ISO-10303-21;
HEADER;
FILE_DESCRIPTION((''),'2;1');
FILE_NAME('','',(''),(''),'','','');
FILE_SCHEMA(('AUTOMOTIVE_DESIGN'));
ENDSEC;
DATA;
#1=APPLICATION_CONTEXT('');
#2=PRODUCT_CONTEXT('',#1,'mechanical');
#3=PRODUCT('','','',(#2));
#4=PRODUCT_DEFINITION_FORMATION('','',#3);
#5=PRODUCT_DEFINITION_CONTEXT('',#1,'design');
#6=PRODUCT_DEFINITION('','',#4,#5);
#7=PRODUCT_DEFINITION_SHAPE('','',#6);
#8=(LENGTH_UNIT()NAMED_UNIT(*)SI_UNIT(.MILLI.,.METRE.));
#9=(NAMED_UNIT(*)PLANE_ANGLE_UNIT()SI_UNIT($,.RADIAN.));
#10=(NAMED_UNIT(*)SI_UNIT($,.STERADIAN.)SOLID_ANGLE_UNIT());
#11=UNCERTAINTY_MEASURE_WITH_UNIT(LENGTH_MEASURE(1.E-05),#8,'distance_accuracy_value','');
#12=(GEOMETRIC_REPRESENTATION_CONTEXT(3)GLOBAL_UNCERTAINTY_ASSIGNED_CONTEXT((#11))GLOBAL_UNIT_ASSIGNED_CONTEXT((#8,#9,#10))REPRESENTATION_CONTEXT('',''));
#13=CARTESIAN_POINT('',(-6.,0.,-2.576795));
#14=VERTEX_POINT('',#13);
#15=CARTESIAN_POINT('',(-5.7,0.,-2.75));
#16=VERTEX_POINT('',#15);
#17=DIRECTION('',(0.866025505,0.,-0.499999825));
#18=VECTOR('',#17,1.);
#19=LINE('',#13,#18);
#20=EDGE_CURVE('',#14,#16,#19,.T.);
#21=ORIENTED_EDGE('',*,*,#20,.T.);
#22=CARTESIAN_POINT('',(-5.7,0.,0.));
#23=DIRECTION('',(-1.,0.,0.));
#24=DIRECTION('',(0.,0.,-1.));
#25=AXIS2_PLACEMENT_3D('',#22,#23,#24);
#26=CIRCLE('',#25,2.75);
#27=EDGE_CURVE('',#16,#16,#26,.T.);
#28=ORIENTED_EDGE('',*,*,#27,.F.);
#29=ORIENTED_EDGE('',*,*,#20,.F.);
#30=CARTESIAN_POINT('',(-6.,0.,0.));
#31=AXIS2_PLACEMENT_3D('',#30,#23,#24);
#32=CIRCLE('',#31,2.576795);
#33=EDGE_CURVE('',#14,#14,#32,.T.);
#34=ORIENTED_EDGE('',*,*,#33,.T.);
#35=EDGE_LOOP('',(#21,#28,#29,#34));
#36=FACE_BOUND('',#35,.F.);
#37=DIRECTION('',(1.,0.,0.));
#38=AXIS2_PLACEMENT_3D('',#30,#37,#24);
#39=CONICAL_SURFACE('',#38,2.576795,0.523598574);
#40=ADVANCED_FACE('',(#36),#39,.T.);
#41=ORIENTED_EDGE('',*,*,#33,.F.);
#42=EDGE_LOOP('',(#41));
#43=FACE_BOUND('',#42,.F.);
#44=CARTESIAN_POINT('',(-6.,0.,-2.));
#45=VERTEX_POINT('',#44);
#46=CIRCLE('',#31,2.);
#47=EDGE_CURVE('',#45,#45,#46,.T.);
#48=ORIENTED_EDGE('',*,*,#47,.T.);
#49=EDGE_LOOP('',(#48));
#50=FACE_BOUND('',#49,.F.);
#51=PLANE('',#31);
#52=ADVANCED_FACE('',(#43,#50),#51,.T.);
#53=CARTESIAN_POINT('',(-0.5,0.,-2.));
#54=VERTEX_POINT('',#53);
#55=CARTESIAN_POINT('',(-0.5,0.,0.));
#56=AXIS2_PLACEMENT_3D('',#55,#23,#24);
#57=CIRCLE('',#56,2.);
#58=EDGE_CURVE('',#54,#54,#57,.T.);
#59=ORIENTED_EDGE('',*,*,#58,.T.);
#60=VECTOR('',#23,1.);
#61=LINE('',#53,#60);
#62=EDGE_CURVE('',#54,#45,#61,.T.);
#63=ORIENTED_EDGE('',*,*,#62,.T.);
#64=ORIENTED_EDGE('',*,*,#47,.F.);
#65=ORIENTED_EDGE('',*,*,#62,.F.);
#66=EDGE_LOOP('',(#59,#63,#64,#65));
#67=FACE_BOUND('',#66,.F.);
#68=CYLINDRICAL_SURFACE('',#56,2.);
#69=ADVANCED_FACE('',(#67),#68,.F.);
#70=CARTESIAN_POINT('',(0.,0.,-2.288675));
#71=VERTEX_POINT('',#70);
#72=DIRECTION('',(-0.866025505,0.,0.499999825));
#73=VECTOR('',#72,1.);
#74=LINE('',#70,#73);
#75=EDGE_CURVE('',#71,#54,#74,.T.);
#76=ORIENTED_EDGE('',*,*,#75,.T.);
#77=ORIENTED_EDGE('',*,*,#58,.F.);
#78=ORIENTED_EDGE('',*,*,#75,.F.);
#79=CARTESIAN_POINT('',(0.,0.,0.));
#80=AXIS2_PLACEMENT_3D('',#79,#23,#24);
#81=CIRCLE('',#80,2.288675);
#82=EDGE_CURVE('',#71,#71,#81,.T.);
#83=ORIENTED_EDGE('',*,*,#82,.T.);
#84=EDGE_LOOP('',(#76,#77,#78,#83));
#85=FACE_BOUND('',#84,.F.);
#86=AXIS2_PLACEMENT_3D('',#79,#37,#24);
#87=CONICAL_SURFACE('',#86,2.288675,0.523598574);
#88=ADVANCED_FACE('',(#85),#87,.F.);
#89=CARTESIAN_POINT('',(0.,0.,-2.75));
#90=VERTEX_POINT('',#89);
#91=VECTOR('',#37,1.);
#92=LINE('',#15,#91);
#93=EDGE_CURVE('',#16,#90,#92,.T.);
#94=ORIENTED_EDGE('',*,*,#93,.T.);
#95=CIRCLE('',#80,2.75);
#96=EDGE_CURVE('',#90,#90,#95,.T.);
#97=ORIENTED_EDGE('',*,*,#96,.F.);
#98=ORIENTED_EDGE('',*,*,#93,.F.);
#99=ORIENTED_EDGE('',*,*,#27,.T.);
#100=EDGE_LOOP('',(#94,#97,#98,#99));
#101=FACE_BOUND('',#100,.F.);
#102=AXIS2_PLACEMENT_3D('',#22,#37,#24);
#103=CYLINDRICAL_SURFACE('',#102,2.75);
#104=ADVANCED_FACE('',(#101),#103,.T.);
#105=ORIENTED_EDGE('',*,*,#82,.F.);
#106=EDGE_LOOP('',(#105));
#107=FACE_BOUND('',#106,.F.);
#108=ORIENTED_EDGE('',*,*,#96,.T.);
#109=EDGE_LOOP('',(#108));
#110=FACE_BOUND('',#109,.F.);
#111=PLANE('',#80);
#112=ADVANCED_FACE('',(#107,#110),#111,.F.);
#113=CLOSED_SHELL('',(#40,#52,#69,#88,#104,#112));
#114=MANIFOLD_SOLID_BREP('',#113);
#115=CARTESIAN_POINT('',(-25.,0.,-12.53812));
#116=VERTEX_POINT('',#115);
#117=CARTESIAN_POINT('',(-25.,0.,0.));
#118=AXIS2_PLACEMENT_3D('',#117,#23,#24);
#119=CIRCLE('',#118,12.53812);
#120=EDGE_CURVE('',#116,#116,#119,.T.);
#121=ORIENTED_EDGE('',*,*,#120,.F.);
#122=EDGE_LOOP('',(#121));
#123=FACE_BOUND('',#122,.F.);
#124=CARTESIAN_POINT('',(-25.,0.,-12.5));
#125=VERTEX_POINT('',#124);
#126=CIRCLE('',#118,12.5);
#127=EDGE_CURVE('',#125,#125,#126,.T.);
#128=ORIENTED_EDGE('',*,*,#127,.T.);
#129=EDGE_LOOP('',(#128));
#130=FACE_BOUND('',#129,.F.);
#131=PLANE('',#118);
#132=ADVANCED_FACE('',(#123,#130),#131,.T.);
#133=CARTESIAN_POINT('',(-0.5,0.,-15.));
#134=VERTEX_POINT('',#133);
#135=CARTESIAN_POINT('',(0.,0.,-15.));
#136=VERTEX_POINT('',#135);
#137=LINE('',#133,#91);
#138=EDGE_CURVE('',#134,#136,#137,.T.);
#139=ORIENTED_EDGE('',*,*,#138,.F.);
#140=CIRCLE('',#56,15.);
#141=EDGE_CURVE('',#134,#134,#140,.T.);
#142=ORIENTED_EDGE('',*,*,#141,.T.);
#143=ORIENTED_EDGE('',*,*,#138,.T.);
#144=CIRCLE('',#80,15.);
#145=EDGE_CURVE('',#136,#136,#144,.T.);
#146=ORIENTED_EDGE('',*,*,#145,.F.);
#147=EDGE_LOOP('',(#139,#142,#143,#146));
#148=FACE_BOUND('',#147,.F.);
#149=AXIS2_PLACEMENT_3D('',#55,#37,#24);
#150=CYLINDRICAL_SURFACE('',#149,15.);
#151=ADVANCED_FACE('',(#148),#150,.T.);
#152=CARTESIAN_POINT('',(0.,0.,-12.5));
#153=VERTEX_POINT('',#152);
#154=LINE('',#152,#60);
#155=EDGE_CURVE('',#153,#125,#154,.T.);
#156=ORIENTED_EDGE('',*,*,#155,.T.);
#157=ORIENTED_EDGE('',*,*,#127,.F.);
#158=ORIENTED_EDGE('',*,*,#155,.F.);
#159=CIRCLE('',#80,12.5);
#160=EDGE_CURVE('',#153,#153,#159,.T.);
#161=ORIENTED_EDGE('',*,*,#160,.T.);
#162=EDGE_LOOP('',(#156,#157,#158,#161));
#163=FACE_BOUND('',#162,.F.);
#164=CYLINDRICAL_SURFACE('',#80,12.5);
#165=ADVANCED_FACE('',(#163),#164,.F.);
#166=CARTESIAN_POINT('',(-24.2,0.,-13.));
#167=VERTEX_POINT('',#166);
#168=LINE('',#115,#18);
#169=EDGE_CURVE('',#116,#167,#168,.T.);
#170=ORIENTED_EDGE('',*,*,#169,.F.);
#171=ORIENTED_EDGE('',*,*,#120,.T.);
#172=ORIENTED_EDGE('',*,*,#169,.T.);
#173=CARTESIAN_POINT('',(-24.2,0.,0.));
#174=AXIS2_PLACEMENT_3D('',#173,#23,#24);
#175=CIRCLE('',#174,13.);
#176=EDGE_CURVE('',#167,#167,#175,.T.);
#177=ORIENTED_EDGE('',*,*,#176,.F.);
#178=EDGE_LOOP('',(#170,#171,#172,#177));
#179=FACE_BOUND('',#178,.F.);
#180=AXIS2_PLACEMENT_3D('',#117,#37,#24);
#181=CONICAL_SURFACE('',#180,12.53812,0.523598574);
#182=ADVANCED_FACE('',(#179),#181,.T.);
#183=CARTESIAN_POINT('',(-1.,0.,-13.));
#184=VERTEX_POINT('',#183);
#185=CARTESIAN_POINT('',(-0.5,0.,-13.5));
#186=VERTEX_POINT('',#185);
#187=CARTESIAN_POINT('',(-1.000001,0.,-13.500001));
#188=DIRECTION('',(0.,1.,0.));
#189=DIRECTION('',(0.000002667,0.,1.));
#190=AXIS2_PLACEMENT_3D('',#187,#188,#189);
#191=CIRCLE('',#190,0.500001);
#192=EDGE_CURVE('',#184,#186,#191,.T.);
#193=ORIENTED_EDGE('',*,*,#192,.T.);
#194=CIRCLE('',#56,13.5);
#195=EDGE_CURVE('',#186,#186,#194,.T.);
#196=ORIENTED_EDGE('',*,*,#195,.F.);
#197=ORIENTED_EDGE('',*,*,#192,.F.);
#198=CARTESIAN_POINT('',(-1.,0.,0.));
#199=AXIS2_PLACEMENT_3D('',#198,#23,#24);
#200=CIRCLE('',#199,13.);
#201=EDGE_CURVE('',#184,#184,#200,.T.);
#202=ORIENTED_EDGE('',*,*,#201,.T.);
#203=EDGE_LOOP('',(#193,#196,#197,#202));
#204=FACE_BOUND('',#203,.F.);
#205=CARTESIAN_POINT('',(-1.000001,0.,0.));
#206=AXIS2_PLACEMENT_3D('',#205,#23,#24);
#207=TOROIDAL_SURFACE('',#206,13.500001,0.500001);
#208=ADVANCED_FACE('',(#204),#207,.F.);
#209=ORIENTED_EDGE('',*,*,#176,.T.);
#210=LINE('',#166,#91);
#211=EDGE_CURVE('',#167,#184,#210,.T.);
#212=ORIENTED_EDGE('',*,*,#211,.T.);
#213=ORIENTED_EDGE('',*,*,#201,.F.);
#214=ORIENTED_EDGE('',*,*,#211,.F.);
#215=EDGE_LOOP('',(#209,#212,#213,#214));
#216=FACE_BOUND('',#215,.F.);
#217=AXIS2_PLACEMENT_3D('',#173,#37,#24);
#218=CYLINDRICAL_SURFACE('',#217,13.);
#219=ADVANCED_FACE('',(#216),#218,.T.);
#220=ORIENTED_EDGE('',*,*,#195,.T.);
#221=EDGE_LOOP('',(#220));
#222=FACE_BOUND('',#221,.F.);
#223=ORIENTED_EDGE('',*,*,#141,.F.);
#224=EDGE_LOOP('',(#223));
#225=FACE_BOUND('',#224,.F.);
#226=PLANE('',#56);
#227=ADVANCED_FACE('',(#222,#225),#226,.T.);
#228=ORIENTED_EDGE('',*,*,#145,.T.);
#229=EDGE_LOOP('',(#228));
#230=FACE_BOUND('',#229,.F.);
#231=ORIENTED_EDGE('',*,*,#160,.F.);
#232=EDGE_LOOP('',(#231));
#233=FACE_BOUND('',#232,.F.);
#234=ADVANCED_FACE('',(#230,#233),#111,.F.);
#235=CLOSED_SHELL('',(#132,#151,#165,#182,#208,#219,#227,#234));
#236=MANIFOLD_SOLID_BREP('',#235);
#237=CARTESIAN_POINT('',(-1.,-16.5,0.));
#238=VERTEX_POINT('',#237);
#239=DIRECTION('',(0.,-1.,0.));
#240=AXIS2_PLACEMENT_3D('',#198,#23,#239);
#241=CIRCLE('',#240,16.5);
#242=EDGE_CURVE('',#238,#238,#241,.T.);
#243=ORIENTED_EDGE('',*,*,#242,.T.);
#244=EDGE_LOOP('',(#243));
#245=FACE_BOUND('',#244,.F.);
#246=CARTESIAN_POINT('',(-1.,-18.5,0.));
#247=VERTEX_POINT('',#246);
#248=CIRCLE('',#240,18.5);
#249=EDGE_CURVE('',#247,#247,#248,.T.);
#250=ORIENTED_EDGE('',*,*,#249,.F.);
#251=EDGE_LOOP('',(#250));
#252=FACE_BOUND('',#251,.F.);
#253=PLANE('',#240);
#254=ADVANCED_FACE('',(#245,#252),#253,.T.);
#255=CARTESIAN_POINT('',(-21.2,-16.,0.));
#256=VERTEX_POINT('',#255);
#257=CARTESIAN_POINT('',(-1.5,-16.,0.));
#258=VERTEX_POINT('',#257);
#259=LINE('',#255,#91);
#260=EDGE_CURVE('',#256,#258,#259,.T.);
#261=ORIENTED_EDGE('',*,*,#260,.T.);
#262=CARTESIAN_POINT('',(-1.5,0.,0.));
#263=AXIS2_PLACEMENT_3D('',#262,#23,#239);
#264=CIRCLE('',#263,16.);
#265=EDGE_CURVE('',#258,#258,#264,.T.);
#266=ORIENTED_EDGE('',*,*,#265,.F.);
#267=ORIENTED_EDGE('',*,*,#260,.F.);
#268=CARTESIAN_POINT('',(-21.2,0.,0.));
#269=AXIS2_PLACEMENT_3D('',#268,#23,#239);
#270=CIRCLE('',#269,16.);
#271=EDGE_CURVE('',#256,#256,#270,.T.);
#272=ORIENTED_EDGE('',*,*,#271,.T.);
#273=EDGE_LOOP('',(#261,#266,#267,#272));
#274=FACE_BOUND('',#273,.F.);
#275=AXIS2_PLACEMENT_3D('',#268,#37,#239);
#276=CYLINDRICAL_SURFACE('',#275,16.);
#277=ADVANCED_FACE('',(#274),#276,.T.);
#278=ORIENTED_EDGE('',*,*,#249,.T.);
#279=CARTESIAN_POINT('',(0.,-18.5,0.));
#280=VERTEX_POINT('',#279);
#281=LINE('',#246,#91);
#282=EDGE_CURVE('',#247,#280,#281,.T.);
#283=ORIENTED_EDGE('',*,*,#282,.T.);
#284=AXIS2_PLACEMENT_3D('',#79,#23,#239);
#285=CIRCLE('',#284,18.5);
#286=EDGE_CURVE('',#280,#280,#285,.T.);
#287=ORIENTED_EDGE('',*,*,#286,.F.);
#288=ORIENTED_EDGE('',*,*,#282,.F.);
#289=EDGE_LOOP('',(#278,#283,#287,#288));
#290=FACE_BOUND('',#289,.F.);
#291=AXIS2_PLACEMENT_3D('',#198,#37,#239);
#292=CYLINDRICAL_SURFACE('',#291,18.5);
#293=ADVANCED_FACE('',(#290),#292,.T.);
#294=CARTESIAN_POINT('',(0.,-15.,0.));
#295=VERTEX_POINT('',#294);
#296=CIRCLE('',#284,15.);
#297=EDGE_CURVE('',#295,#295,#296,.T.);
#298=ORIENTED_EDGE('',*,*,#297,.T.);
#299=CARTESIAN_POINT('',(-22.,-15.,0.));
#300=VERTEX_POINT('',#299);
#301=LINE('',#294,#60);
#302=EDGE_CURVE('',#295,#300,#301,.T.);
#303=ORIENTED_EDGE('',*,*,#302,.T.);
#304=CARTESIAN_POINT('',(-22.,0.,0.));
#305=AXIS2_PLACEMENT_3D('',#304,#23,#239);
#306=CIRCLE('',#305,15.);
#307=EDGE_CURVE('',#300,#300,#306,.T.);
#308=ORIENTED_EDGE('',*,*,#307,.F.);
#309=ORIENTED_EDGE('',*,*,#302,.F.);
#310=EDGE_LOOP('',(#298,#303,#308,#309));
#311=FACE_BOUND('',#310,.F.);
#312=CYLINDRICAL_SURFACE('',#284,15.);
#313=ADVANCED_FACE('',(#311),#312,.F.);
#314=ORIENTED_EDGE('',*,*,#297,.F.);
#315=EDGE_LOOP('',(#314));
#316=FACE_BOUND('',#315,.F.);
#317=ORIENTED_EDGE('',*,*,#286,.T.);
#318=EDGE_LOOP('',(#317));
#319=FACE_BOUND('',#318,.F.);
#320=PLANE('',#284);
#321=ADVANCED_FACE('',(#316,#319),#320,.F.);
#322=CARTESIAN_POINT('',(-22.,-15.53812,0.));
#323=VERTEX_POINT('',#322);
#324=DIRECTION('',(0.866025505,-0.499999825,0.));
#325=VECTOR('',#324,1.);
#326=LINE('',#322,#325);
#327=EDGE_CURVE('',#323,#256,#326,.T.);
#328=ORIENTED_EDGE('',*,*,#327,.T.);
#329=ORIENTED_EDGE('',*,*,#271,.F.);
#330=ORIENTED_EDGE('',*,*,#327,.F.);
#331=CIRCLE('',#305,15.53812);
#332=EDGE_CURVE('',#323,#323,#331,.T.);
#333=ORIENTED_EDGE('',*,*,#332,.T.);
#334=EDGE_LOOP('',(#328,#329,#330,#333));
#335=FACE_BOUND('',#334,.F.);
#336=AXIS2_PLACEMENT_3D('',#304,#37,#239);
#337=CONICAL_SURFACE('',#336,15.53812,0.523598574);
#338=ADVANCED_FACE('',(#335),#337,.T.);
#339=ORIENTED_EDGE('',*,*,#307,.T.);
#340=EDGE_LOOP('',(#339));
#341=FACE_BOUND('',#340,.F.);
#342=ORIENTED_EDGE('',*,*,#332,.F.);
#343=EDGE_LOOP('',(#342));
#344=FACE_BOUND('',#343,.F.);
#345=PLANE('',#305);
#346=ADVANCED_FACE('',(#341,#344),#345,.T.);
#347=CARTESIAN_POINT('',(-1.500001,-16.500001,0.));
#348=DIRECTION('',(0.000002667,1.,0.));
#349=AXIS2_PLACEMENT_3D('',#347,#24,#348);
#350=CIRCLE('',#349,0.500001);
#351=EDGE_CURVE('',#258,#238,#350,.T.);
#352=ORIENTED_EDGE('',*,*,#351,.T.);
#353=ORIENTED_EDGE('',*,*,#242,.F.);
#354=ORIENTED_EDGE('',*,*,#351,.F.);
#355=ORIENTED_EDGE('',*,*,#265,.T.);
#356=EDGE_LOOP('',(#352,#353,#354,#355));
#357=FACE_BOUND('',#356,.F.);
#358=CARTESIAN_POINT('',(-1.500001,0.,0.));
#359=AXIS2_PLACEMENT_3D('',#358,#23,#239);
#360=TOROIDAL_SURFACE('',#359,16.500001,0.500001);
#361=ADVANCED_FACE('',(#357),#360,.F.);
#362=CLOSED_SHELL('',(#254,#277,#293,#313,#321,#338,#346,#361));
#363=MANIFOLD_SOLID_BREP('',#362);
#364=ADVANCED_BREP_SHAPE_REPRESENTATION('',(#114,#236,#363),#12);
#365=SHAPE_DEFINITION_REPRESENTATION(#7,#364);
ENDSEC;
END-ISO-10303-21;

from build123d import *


with BuildPart() as f1:
    # F0 (on Front) → F1 (revolve)
    with BuildSketch(Plane.XZ):
        with BuildLine():
            Line((0, -15), (0, -12.5))
            Line((0, -12.5), (-25, -12.5))
            Line((-25, -12.5), (-25, -12.53812))
            Line((-25, -12.53812), (-24.2, -13))
            Line((-24.2, -13), (-1, -13))
            ThreePointArc((-1, -13), (-0.646447, -13.146447), (-0.5, -13.5))
            Line((-0.5, -13.5), (-0.5, -15))
            Line((-0.5, -15), (0, -15))
        make_face()
    revolve(axis=Axis((-12.5, 0, 0), (-1, 0, 0)))


with BuildPart() as f3:
    # F2 (on Front) → F3 (revolve)
    with BuildSketch(Plane.XZ):
        Polygon((0, -2.75), (0, -2.288675), (-0.5, -2), (-6, -2), (-6, -2.576795), (-5.7, -2.75), align=None)
    revolve(axis=Axis((-3, 0, 0), (-1, 0, 0)))


with BuildPart() as f5:
    # F4 (on Top) → F5 (revolve)
    with BuildSketch(Plane.XY):
        with BuildLine():
            Line((0, -18.5), (0, -15))
            Line((0, -15), (-22, -15))
            Line((-22, -15), (-22, -15.53812))
            Line((-22, -15.53812), (-21.2, -16))
            Line((-21.2, -16), (-1.5, -16))
            ThreePointArc((-1.5, -16), (-1.146447, -16.146447), (-1, -16.5))
            Line((-1, -16.5), (-1, -18.5))
            Line((-1, -18.5), (0, -18.5))
        make_face()
    revolve(axis=Axis((-11, 0, 0), (-1, 0, 0)))


solid = Compound([f1.part, f3.part, f5.part])
